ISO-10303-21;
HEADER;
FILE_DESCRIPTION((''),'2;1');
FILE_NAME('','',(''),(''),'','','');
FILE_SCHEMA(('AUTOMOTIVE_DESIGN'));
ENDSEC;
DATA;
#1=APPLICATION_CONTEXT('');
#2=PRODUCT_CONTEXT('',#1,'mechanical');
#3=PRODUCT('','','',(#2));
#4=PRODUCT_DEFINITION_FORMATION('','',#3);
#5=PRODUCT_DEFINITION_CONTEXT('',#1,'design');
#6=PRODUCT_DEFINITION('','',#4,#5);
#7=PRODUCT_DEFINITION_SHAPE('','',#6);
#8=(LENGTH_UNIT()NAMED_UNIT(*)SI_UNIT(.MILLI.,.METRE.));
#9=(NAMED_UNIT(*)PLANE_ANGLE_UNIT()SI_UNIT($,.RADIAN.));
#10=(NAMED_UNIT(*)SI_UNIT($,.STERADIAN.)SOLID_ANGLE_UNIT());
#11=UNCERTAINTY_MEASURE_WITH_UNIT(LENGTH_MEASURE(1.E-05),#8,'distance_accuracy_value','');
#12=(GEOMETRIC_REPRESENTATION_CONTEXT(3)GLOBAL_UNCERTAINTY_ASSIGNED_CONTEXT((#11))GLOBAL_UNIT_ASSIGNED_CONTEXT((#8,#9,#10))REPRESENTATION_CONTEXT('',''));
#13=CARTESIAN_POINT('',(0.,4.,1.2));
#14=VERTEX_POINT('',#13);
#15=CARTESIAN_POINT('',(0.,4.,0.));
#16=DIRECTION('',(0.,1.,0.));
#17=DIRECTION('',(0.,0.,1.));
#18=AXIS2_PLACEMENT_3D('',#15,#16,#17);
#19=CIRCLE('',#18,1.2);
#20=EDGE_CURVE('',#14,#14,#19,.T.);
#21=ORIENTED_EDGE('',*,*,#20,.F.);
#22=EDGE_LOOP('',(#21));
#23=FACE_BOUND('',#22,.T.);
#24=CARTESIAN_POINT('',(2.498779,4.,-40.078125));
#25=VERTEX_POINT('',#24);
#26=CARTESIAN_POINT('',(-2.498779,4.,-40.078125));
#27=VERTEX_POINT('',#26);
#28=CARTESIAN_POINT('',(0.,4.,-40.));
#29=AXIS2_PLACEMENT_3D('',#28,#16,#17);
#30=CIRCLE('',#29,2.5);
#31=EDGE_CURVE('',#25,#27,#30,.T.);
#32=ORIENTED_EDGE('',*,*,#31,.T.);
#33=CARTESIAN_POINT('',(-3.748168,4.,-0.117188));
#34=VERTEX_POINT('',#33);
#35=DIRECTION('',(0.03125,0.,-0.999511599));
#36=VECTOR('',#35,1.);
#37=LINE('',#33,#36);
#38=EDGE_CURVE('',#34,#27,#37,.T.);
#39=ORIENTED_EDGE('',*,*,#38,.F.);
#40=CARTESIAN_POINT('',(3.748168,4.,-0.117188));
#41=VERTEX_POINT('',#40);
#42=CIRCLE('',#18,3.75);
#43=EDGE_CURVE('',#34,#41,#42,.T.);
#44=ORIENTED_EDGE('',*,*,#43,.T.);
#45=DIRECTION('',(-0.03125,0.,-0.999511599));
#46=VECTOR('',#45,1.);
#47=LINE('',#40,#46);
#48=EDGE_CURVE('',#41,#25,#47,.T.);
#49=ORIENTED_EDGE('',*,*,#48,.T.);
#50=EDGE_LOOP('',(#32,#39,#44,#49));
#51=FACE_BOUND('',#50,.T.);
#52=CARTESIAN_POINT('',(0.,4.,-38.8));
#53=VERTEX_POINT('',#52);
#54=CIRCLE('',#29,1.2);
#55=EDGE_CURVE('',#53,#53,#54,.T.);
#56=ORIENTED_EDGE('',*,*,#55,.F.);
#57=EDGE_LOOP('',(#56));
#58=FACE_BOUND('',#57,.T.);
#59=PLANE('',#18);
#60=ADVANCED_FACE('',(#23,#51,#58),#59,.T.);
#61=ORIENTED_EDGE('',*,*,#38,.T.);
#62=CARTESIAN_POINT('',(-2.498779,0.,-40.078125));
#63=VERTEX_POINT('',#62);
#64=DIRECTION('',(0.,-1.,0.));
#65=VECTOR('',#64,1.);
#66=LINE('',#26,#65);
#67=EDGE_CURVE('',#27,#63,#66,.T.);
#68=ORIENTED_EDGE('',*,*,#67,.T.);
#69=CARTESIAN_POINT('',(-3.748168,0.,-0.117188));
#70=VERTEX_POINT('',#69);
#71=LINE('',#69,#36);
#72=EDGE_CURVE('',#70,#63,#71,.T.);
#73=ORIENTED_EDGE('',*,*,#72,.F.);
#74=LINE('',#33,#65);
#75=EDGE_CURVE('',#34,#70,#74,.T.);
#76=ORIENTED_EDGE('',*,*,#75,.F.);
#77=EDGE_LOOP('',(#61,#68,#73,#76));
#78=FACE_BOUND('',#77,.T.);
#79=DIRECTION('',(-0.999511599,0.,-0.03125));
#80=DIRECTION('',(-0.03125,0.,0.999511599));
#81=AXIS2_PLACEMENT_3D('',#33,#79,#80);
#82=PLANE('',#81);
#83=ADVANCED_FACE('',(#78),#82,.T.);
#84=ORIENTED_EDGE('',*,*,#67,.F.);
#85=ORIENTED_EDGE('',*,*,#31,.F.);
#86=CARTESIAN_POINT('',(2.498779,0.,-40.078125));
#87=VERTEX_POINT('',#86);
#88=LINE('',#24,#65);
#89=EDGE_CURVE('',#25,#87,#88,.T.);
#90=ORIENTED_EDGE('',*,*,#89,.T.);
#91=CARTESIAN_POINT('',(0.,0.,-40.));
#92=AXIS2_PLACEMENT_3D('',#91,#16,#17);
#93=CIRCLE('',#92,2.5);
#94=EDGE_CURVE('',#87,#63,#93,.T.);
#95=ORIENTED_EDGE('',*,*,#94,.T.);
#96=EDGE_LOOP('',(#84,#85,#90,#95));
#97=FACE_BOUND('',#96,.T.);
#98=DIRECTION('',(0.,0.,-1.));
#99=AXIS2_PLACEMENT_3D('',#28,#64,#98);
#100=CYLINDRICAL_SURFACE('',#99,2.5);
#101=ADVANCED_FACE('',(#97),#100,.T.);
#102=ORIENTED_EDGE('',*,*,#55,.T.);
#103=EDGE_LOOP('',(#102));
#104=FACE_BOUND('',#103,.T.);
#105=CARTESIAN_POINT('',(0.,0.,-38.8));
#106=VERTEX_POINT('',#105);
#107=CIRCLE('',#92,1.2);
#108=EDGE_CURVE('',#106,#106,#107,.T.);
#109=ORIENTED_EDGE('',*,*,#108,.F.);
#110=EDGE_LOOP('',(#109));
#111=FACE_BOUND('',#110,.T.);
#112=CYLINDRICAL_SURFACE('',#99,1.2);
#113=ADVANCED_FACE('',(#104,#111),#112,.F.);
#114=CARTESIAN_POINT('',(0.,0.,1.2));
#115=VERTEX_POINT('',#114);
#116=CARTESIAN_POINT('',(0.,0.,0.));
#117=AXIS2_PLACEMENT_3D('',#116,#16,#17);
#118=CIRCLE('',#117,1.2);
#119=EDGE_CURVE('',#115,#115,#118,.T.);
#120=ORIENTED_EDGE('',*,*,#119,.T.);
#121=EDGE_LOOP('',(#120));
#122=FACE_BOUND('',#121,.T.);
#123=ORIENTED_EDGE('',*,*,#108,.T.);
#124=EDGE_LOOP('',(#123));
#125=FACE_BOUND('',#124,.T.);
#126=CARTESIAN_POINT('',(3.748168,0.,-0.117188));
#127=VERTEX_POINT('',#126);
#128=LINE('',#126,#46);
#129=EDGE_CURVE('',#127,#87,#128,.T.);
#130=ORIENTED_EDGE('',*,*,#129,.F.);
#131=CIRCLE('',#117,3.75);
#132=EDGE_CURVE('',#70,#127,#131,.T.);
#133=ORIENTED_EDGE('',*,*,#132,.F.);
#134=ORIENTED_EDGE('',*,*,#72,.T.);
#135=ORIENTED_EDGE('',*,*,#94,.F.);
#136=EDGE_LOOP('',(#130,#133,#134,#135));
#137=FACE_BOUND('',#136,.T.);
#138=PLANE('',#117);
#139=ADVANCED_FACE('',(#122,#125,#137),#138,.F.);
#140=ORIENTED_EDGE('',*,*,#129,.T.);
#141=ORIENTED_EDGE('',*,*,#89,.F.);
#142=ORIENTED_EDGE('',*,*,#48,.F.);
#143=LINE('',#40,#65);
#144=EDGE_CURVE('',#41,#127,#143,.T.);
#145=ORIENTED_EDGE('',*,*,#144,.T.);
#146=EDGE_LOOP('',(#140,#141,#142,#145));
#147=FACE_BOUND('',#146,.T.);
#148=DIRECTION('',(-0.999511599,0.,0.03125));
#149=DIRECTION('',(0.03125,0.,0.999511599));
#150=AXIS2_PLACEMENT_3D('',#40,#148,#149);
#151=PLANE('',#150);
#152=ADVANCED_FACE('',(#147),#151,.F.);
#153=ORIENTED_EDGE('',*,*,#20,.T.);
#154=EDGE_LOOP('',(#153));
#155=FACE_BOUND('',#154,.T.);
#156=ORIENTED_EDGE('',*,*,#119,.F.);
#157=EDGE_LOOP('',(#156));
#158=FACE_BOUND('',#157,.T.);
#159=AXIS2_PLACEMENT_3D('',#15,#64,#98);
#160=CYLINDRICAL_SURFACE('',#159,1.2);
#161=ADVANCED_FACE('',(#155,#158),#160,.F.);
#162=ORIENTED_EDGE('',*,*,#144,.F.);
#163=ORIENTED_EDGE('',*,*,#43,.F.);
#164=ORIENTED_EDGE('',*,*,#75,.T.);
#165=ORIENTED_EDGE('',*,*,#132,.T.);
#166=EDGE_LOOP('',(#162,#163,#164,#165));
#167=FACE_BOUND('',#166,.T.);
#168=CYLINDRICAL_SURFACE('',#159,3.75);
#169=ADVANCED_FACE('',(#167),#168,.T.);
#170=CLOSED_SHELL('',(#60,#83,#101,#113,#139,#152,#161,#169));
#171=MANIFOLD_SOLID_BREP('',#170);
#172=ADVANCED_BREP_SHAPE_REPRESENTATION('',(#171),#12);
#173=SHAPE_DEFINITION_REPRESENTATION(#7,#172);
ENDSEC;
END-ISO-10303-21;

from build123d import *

# Parameters (mm, degrees)
SKETCH1_R           = 1.2
BOSS_EXTRUDE1_DEPTH = 4


with BuildPart() as part:
    # Sketch1 → Boss-Extrude1 (new body)
    with BuildSketch(Plane(origin=(0, 0, 0), x_dir=(1, 0, 0), z_dir=(0, 1, 0))):
        with BuildLine():
            ThreePointArc((-3.748168498, 0.1171875), (0, -3.75), (3.748168498, 0.1171875))
            Line((3.748168498, 0.1171875), (2.498778999, 40.078125))
            ThreePointArc((2.498778999, 40.078125), (0, 42.5), (-2.498778999, 40.078125))
            Line((-2.498778999, 40.078125), (-3.748168498, 0.1171875))
        make_face()
        with Locations(Location((0, 0, 0), (0, 0, 270))):
            Circle(SKETCH1_R, mode=Mode.SUBTRACT)
        with Locations(Location((0, 40, 0), (0, 0, 270))):
            Circle(SKETCH1_R, mode=Mode.SUBTRACT)
    extrude(amount=BOSS_EXTRUDE1_DEPTH)


solid = part.part
